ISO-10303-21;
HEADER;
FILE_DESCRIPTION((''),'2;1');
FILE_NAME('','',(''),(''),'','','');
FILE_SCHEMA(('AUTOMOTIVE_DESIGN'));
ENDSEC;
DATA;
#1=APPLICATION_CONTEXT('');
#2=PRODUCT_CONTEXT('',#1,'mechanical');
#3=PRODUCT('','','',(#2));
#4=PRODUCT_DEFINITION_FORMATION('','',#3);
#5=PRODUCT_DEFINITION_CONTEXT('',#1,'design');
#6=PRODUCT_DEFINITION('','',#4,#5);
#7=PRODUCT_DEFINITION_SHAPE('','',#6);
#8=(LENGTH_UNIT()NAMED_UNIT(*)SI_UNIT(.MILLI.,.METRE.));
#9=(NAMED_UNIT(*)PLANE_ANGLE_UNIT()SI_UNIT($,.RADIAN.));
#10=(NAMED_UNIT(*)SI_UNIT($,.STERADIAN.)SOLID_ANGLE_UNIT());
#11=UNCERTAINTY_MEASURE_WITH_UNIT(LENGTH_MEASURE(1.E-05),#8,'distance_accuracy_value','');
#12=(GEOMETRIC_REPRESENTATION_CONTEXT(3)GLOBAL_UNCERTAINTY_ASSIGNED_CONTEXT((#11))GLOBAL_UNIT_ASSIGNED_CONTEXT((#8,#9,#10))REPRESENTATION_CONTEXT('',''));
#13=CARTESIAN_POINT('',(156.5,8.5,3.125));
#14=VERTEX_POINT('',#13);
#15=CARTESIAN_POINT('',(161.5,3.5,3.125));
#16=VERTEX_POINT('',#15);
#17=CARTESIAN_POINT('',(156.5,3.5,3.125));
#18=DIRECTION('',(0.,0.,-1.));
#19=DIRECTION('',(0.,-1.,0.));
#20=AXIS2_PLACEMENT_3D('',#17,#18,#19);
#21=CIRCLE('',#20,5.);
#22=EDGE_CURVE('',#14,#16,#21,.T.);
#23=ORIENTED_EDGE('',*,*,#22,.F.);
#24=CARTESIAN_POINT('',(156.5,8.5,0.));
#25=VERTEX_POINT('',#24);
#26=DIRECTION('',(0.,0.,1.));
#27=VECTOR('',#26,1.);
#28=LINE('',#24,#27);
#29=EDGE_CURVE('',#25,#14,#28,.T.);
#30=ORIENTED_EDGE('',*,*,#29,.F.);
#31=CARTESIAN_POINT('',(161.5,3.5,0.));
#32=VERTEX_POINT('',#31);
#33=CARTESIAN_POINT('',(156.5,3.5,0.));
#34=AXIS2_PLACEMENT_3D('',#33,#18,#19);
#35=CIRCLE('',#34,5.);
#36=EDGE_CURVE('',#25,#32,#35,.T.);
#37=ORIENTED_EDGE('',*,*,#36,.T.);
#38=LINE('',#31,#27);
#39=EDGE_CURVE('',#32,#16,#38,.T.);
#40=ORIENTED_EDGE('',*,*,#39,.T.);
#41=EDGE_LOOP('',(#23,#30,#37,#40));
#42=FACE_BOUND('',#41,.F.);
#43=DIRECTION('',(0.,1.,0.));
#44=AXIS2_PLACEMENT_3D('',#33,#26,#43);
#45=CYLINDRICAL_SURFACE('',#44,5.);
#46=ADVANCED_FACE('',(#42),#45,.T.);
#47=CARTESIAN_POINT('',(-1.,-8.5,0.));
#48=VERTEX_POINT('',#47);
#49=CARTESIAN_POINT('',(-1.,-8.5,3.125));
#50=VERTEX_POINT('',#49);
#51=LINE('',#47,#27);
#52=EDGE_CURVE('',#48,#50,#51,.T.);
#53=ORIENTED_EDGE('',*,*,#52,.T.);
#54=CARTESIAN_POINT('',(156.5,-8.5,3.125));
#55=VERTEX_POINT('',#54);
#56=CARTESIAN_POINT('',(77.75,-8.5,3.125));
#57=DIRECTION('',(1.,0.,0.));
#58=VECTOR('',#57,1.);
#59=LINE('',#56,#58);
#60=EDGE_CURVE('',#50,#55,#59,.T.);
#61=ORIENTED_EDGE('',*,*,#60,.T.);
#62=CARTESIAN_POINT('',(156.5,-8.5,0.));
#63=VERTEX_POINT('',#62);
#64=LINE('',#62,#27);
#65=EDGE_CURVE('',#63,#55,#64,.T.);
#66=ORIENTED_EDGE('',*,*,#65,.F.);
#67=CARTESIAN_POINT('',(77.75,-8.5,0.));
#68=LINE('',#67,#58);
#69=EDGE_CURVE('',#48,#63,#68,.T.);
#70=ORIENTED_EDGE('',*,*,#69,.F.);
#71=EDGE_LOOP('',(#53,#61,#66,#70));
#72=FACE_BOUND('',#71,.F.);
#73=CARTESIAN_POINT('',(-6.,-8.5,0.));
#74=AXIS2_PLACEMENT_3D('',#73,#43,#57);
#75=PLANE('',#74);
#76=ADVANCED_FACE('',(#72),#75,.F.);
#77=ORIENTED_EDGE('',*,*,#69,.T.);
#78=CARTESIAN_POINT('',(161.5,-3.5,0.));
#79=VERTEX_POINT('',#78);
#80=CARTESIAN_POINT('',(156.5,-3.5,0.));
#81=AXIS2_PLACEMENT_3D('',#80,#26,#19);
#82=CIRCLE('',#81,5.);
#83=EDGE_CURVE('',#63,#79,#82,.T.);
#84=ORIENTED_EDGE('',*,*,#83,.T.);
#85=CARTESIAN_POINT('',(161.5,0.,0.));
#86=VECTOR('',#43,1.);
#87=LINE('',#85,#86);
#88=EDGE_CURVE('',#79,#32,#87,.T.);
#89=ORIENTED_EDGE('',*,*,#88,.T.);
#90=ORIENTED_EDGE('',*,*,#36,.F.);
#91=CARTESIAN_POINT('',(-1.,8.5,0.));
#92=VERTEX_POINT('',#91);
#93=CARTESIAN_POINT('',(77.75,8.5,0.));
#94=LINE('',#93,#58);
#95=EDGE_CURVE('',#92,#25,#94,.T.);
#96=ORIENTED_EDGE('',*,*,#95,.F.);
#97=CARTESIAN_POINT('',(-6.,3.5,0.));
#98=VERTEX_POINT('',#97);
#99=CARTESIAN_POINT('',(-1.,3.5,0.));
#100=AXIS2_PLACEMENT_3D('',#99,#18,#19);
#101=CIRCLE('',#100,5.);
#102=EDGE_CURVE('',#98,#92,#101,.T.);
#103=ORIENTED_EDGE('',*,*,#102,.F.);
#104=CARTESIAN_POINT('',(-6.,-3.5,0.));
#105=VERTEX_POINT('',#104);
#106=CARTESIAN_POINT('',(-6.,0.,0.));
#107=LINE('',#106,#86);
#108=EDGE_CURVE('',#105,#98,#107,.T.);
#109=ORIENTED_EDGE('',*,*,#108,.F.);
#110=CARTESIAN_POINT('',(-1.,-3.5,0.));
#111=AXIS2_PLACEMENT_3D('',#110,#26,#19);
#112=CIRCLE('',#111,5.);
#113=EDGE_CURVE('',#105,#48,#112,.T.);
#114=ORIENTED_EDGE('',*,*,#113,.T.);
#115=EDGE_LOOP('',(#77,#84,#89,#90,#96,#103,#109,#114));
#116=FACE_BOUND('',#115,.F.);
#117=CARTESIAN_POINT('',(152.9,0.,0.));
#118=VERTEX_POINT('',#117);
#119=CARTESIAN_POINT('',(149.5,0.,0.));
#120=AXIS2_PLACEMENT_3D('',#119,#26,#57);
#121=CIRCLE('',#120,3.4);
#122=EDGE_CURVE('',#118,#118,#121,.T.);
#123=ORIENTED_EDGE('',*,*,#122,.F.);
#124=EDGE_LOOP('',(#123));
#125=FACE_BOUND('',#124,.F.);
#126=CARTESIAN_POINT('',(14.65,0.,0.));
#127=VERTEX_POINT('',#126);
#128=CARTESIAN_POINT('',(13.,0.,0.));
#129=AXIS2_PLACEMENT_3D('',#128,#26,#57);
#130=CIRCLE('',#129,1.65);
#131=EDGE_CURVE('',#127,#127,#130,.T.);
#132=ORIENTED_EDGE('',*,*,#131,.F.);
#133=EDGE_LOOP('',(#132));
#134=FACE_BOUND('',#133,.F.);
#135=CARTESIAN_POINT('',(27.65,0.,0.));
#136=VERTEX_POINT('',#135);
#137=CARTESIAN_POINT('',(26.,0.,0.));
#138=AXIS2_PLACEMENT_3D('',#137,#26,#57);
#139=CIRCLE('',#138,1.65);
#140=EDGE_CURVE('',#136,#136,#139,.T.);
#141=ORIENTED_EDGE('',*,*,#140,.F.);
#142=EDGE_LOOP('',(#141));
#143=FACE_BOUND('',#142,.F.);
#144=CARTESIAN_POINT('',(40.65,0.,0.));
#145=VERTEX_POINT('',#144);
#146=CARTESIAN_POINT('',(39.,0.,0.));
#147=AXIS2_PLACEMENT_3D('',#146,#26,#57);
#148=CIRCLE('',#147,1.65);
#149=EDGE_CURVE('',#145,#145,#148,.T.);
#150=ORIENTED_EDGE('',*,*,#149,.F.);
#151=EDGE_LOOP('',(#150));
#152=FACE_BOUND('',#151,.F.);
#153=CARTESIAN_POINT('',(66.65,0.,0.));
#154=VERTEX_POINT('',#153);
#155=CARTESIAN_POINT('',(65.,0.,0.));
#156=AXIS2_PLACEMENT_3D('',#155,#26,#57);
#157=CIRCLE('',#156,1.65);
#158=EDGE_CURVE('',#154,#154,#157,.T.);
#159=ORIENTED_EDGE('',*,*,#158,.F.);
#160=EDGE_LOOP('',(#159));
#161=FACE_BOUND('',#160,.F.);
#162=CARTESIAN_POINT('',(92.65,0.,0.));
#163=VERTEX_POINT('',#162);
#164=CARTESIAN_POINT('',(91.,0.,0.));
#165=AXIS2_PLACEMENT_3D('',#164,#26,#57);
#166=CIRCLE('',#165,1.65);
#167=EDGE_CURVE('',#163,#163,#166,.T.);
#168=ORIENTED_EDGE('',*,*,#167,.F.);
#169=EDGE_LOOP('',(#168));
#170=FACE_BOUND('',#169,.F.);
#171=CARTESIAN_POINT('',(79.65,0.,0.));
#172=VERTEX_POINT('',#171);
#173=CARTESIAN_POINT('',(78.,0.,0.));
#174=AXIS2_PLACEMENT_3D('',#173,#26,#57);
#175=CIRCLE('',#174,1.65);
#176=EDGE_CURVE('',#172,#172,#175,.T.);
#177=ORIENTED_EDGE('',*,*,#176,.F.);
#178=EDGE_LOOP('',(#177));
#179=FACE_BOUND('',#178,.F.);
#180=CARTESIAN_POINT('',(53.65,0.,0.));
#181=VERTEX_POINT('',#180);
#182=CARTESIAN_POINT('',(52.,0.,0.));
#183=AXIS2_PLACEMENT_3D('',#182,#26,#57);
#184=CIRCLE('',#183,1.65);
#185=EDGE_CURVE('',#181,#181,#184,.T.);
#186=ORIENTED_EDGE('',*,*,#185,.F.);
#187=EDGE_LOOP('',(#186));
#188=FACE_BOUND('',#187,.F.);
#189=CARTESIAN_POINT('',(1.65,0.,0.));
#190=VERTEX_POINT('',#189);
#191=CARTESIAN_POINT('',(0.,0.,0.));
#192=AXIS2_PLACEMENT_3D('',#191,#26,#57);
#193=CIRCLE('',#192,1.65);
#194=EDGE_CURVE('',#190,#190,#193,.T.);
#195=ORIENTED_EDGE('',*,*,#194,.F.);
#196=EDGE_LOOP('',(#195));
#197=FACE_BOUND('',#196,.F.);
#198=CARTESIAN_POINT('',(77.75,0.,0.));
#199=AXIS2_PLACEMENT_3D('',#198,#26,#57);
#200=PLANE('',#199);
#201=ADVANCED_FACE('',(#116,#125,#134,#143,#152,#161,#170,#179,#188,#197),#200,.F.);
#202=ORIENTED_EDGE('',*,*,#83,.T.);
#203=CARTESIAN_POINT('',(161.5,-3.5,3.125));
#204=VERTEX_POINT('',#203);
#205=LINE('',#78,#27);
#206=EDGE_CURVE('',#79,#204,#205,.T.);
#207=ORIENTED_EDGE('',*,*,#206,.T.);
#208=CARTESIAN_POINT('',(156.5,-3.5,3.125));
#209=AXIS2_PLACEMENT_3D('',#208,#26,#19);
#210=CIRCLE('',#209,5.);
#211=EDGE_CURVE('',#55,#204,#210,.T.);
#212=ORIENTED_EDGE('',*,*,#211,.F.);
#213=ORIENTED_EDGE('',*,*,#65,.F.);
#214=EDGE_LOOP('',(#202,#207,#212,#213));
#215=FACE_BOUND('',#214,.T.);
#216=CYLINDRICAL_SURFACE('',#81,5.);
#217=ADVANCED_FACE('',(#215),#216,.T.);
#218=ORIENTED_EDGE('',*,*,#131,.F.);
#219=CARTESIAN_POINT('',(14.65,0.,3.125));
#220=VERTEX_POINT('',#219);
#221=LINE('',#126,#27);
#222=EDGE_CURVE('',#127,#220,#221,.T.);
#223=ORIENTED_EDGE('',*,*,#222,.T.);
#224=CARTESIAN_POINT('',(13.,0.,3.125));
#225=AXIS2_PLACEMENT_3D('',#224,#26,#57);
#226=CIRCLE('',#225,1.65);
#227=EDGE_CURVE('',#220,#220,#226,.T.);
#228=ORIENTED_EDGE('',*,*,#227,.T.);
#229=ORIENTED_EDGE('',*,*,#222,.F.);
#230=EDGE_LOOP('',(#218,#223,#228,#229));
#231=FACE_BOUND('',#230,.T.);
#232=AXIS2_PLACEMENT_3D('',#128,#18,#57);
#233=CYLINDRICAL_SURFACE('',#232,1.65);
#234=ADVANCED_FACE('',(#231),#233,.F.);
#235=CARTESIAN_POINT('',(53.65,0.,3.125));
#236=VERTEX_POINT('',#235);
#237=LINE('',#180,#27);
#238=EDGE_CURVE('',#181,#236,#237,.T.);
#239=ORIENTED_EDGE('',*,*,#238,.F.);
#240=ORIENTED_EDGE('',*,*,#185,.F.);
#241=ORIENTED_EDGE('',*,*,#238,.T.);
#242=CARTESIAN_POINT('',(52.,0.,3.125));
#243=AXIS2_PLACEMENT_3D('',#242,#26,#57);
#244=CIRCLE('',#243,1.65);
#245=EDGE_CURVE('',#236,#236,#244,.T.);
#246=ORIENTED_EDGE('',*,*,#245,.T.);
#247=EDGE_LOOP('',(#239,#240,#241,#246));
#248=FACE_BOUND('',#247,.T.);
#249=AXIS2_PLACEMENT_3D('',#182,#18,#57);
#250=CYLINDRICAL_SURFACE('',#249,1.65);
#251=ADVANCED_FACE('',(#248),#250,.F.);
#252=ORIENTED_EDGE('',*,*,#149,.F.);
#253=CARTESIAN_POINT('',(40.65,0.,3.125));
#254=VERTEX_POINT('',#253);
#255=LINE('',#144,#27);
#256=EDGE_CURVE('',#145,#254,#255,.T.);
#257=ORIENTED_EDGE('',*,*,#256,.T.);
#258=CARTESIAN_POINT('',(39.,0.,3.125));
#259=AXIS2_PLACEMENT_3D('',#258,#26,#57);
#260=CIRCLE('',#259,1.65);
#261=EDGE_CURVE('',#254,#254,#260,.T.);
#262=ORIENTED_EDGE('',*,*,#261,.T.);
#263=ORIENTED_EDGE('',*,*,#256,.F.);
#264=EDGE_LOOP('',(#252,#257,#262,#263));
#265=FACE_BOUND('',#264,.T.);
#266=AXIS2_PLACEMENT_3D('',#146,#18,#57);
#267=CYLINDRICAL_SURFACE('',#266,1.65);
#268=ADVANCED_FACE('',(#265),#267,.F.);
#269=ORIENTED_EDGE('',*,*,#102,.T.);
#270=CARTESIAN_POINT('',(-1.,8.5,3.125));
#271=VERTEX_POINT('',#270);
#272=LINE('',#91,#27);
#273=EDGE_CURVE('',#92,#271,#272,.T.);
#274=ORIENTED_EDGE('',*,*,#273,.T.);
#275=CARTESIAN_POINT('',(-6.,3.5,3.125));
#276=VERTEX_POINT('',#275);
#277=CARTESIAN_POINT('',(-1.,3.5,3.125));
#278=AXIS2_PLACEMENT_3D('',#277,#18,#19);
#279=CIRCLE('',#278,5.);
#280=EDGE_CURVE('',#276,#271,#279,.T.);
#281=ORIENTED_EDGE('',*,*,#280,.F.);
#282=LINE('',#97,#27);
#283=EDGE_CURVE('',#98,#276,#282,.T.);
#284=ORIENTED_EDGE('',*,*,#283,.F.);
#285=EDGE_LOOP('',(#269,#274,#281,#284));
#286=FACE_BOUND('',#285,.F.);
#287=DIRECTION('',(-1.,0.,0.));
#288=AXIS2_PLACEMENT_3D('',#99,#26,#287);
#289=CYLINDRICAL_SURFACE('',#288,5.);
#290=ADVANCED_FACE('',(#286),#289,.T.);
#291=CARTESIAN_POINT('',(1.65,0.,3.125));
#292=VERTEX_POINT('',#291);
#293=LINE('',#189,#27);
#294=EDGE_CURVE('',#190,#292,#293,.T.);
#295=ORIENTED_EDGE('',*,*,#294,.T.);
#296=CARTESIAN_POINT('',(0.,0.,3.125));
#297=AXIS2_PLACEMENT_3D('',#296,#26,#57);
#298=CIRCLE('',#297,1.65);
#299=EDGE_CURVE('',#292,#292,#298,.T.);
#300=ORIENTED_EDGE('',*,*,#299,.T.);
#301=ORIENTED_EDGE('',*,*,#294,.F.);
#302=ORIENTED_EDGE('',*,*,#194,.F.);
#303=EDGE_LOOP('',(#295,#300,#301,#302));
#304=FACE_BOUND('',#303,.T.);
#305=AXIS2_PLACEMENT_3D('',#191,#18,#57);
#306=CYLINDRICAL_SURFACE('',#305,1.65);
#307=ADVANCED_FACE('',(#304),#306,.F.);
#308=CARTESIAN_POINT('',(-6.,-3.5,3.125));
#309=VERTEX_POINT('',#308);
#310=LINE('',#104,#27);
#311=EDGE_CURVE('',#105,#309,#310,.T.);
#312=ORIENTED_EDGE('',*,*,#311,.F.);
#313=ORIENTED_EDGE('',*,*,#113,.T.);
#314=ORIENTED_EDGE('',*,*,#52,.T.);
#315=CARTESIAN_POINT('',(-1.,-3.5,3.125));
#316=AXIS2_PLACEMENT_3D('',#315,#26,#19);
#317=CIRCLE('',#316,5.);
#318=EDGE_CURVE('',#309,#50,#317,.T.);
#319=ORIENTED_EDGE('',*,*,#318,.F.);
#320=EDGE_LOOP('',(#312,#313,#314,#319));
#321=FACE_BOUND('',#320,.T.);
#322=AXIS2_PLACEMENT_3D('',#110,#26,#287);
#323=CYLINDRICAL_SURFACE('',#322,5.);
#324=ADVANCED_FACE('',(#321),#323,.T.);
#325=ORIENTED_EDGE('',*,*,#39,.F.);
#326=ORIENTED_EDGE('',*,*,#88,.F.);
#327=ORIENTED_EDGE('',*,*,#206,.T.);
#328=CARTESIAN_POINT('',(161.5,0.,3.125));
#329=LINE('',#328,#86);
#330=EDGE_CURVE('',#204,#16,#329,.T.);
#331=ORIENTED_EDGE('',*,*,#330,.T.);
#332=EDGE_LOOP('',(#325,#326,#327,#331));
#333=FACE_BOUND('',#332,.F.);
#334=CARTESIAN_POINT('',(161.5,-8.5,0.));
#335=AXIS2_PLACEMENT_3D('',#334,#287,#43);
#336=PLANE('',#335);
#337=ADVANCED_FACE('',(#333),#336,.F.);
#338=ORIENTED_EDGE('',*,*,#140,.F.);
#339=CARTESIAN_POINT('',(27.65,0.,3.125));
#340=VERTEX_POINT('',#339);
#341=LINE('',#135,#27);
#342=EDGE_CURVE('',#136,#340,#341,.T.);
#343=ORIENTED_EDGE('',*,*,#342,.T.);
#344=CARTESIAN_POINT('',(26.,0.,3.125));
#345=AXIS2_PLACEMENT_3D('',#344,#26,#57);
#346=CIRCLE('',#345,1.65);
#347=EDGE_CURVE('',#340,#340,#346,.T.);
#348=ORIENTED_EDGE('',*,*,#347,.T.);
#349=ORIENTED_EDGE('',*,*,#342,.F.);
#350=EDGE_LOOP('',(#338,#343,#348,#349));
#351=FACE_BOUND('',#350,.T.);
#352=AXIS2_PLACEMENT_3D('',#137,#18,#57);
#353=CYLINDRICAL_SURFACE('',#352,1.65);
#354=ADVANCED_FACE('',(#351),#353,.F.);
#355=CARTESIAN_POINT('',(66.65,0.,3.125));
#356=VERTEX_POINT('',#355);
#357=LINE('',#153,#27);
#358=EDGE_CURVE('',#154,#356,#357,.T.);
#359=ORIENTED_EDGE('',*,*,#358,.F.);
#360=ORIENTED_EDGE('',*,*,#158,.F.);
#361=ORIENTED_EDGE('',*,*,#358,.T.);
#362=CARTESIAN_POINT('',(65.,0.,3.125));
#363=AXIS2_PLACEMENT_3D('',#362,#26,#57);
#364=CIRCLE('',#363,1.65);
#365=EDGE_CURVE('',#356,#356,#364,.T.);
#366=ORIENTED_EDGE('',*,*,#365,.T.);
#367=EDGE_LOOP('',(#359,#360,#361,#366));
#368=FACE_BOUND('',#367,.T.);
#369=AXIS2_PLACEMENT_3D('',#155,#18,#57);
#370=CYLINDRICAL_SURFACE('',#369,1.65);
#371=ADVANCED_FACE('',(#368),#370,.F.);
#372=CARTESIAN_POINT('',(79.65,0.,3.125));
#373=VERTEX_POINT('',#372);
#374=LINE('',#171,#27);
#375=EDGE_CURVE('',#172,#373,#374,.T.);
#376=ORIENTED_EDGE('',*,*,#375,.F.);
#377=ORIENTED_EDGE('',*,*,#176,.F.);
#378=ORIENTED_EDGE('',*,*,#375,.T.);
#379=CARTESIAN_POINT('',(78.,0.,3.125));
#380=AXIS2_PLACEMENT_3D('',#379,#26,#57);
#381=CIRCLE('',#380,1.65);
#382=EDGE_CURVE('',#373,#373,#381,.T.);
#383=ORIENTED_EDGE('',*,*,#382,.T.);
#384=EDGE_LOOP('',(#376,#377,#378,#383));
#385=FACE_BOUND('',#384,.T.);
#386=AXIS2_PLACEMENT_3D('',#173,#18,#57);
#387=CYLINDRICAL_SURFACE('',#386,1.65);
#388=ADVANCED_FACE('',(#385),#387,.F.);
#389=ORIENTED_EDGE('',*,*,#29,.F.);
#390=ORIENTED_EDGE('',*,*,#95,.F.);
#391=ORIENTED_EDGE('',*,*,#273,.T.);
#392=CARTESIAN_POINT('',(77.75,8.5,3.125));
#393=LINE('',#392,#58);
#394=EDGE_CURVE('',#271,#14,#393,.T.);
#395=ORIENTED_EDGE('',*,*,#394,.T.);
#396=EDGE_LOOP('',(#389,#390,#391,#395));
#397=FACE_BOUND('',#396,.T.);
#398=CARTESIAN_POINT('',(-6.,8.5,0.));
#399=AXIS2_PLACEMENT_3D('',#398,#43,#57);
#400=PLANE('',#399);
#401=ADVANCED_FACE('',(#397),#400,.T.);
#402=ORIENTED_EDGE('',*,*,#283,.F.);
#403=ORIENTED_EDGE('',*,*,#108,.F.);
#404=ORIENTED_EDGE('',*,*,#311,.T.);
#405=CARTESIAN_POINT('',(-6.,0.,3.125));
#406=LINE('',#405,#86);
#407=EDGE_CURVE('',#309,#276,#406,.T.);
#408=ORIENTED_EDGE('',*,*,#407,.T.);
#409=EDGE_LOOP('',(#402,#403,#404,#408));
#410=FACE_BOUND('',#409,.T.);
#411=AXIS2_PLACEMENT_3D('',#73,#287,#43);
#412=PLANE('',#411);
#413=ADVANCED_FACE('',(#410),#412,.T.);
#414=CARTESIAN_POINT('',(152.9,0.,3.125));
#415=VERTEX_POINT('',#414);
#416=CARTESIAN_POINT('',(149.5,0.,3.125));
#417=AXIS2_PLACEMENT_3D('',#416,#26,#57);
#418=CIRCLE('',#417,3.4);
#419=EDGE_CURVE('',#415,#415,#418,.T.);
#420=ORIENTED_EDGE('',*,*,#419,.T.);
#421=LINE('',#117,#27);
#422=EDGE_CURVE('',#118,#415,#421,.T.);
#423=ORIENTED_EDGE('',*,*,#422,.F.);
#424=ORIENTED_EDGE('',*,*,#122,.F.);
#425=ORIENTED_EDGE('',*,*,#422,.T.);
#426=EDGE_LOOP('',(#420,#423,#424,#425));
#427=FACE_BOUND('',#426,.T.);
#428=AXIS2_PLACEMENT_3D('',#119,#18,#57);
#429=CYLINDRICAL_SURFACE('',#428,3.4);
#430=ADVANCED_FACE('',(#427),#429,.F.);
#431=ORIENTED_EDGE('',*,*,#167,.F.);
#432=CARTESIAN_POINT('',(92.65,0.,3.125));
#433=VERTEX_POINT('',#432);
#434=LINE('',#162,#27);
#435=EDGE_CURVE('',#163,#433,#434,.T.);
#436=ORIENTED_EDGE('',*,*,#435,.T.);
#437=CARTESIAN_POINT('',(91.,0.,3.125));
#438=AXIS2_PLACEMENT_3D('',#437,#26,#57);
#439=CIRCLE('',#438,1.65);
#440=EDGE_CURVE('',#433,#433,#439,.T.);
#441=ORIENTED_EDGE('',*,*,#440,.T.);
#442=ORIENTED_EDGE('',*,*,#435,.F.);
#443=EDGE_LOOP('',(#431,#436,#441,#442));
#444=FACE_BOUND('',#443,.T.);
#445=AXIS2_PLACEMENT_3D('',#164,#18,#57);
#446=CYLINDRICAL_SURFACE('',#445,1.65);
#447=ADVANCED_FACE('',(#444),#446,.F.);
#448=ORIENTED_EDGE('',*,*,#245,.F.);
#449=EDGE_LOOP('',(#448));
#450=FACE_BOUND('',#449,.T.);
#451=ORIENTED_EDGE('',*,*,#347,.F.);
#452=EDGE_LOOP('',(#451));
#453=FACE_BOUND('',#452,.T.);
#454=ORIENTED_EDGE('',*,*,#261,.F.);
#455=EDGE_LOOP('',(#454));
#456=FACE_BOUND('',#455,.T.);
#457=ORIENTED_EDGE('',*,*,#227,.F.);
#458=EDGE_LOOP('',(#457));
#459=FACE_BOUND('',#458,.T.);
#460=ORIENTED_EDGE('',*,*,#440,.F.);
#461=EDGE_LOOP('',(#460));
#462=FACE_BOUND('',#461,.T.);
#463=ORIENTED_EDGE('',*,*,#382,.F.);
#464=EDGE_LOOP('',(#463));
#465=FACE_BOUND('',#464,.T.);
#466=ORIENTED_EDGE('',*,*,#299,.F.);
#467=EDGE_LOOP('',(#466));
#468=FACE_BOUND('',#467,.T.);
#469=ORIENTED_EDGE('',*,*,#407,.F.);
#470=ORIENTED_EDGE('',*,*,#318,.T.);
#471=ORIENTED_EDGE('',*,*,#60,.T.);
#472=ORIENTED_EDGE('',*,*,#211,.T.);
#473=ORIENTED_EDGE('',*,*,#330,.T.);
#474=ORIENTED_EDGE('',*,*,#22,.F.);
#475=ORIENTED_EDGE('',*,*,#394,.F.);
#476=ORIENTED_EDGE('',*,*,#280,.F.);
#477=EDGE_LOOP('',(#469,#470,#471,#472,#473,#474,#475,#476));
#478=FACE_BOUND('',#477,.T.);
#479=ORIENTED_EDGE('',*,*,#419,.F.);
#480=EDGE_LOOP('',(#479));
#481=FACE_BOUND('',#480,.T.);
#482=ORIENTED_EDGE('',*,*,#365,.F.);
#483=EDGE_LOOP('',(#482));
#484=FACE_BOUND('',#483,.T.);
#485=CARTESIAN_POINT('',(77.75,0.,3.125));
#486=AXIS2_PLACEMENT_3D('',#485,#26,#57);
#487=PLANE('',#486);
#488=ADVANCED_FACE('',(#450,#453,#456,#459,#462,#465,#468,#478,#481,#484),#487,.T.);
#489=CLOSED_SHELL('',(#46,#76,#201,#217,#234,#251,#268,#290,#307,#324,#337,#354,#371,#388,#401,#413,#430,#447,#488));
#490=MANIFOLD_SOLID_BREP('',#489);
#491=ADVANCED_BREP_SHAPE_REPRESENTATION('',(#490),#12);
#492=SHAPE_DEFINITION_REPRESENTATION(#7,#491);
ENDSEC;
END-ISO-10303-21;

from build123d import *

# Parameters (mm, degrees)
SKETCH_W   = 167.5
SKETCH_H   = 17
SKETCH_R   = 1.65
SKETCH_R_2 = 3.4
PAD_DEPTH  = 3.125
FILLET_R   = 5


with BuildPart() as part:
    # Sketch → Pad (new body)
    with BuildSketch(Plane.XY):
        with Locations((77.75, 0)):
            Rectangle(SKETCH_W, SKETCH_H)
        Circle(SKETCH_R, mode=Mode.SUBTRACT)
        with Locations((13, 0)):
            Circle(SKETCH_R, mode=Mode.SUBTRACT)
        with Locations((26, 0)):
            Circle(SKETCH_R, mode=Mode.SUBTRACT)
        with Locations((39, 0)):
            Circle(SKETCH_R, mode=Mode.SUBTRACT)
        with Locations((52, 0)):
            Circle(SKETCH_R, mode=Mode.SUBTRACT)
        with Locations((65, 0)):
            Circle(SKETCH_R, mode=Mode.SUBTRACT)
        with Locations((91, 0)):
            Circle(SKETCH_R, mode=Mode.SUBTRACT)
        with Locations((78, 0)):
            Circle(SKETCH_R, mode=Mode.SUBTRACT)
        with Locations((149.5, 0)):
            Circle(SKETCH_R_2, mode=Mode.SUBTRACT)
    extrude(amount=PAD_DEPTH)

    # Fillet
    fillet_edges = [part.edges().sort_by_distance(p)[0] for p in [
        (-6, -8.5, 1.5625),
        (161.5, -8.5, 1.5625),
        (161.5, 8.5, 1.5625),
        (-6, 8.5, 1.5625),
    ]]
    fillet(fillet_edges, radius=FILLET_R)


solid = part.part
